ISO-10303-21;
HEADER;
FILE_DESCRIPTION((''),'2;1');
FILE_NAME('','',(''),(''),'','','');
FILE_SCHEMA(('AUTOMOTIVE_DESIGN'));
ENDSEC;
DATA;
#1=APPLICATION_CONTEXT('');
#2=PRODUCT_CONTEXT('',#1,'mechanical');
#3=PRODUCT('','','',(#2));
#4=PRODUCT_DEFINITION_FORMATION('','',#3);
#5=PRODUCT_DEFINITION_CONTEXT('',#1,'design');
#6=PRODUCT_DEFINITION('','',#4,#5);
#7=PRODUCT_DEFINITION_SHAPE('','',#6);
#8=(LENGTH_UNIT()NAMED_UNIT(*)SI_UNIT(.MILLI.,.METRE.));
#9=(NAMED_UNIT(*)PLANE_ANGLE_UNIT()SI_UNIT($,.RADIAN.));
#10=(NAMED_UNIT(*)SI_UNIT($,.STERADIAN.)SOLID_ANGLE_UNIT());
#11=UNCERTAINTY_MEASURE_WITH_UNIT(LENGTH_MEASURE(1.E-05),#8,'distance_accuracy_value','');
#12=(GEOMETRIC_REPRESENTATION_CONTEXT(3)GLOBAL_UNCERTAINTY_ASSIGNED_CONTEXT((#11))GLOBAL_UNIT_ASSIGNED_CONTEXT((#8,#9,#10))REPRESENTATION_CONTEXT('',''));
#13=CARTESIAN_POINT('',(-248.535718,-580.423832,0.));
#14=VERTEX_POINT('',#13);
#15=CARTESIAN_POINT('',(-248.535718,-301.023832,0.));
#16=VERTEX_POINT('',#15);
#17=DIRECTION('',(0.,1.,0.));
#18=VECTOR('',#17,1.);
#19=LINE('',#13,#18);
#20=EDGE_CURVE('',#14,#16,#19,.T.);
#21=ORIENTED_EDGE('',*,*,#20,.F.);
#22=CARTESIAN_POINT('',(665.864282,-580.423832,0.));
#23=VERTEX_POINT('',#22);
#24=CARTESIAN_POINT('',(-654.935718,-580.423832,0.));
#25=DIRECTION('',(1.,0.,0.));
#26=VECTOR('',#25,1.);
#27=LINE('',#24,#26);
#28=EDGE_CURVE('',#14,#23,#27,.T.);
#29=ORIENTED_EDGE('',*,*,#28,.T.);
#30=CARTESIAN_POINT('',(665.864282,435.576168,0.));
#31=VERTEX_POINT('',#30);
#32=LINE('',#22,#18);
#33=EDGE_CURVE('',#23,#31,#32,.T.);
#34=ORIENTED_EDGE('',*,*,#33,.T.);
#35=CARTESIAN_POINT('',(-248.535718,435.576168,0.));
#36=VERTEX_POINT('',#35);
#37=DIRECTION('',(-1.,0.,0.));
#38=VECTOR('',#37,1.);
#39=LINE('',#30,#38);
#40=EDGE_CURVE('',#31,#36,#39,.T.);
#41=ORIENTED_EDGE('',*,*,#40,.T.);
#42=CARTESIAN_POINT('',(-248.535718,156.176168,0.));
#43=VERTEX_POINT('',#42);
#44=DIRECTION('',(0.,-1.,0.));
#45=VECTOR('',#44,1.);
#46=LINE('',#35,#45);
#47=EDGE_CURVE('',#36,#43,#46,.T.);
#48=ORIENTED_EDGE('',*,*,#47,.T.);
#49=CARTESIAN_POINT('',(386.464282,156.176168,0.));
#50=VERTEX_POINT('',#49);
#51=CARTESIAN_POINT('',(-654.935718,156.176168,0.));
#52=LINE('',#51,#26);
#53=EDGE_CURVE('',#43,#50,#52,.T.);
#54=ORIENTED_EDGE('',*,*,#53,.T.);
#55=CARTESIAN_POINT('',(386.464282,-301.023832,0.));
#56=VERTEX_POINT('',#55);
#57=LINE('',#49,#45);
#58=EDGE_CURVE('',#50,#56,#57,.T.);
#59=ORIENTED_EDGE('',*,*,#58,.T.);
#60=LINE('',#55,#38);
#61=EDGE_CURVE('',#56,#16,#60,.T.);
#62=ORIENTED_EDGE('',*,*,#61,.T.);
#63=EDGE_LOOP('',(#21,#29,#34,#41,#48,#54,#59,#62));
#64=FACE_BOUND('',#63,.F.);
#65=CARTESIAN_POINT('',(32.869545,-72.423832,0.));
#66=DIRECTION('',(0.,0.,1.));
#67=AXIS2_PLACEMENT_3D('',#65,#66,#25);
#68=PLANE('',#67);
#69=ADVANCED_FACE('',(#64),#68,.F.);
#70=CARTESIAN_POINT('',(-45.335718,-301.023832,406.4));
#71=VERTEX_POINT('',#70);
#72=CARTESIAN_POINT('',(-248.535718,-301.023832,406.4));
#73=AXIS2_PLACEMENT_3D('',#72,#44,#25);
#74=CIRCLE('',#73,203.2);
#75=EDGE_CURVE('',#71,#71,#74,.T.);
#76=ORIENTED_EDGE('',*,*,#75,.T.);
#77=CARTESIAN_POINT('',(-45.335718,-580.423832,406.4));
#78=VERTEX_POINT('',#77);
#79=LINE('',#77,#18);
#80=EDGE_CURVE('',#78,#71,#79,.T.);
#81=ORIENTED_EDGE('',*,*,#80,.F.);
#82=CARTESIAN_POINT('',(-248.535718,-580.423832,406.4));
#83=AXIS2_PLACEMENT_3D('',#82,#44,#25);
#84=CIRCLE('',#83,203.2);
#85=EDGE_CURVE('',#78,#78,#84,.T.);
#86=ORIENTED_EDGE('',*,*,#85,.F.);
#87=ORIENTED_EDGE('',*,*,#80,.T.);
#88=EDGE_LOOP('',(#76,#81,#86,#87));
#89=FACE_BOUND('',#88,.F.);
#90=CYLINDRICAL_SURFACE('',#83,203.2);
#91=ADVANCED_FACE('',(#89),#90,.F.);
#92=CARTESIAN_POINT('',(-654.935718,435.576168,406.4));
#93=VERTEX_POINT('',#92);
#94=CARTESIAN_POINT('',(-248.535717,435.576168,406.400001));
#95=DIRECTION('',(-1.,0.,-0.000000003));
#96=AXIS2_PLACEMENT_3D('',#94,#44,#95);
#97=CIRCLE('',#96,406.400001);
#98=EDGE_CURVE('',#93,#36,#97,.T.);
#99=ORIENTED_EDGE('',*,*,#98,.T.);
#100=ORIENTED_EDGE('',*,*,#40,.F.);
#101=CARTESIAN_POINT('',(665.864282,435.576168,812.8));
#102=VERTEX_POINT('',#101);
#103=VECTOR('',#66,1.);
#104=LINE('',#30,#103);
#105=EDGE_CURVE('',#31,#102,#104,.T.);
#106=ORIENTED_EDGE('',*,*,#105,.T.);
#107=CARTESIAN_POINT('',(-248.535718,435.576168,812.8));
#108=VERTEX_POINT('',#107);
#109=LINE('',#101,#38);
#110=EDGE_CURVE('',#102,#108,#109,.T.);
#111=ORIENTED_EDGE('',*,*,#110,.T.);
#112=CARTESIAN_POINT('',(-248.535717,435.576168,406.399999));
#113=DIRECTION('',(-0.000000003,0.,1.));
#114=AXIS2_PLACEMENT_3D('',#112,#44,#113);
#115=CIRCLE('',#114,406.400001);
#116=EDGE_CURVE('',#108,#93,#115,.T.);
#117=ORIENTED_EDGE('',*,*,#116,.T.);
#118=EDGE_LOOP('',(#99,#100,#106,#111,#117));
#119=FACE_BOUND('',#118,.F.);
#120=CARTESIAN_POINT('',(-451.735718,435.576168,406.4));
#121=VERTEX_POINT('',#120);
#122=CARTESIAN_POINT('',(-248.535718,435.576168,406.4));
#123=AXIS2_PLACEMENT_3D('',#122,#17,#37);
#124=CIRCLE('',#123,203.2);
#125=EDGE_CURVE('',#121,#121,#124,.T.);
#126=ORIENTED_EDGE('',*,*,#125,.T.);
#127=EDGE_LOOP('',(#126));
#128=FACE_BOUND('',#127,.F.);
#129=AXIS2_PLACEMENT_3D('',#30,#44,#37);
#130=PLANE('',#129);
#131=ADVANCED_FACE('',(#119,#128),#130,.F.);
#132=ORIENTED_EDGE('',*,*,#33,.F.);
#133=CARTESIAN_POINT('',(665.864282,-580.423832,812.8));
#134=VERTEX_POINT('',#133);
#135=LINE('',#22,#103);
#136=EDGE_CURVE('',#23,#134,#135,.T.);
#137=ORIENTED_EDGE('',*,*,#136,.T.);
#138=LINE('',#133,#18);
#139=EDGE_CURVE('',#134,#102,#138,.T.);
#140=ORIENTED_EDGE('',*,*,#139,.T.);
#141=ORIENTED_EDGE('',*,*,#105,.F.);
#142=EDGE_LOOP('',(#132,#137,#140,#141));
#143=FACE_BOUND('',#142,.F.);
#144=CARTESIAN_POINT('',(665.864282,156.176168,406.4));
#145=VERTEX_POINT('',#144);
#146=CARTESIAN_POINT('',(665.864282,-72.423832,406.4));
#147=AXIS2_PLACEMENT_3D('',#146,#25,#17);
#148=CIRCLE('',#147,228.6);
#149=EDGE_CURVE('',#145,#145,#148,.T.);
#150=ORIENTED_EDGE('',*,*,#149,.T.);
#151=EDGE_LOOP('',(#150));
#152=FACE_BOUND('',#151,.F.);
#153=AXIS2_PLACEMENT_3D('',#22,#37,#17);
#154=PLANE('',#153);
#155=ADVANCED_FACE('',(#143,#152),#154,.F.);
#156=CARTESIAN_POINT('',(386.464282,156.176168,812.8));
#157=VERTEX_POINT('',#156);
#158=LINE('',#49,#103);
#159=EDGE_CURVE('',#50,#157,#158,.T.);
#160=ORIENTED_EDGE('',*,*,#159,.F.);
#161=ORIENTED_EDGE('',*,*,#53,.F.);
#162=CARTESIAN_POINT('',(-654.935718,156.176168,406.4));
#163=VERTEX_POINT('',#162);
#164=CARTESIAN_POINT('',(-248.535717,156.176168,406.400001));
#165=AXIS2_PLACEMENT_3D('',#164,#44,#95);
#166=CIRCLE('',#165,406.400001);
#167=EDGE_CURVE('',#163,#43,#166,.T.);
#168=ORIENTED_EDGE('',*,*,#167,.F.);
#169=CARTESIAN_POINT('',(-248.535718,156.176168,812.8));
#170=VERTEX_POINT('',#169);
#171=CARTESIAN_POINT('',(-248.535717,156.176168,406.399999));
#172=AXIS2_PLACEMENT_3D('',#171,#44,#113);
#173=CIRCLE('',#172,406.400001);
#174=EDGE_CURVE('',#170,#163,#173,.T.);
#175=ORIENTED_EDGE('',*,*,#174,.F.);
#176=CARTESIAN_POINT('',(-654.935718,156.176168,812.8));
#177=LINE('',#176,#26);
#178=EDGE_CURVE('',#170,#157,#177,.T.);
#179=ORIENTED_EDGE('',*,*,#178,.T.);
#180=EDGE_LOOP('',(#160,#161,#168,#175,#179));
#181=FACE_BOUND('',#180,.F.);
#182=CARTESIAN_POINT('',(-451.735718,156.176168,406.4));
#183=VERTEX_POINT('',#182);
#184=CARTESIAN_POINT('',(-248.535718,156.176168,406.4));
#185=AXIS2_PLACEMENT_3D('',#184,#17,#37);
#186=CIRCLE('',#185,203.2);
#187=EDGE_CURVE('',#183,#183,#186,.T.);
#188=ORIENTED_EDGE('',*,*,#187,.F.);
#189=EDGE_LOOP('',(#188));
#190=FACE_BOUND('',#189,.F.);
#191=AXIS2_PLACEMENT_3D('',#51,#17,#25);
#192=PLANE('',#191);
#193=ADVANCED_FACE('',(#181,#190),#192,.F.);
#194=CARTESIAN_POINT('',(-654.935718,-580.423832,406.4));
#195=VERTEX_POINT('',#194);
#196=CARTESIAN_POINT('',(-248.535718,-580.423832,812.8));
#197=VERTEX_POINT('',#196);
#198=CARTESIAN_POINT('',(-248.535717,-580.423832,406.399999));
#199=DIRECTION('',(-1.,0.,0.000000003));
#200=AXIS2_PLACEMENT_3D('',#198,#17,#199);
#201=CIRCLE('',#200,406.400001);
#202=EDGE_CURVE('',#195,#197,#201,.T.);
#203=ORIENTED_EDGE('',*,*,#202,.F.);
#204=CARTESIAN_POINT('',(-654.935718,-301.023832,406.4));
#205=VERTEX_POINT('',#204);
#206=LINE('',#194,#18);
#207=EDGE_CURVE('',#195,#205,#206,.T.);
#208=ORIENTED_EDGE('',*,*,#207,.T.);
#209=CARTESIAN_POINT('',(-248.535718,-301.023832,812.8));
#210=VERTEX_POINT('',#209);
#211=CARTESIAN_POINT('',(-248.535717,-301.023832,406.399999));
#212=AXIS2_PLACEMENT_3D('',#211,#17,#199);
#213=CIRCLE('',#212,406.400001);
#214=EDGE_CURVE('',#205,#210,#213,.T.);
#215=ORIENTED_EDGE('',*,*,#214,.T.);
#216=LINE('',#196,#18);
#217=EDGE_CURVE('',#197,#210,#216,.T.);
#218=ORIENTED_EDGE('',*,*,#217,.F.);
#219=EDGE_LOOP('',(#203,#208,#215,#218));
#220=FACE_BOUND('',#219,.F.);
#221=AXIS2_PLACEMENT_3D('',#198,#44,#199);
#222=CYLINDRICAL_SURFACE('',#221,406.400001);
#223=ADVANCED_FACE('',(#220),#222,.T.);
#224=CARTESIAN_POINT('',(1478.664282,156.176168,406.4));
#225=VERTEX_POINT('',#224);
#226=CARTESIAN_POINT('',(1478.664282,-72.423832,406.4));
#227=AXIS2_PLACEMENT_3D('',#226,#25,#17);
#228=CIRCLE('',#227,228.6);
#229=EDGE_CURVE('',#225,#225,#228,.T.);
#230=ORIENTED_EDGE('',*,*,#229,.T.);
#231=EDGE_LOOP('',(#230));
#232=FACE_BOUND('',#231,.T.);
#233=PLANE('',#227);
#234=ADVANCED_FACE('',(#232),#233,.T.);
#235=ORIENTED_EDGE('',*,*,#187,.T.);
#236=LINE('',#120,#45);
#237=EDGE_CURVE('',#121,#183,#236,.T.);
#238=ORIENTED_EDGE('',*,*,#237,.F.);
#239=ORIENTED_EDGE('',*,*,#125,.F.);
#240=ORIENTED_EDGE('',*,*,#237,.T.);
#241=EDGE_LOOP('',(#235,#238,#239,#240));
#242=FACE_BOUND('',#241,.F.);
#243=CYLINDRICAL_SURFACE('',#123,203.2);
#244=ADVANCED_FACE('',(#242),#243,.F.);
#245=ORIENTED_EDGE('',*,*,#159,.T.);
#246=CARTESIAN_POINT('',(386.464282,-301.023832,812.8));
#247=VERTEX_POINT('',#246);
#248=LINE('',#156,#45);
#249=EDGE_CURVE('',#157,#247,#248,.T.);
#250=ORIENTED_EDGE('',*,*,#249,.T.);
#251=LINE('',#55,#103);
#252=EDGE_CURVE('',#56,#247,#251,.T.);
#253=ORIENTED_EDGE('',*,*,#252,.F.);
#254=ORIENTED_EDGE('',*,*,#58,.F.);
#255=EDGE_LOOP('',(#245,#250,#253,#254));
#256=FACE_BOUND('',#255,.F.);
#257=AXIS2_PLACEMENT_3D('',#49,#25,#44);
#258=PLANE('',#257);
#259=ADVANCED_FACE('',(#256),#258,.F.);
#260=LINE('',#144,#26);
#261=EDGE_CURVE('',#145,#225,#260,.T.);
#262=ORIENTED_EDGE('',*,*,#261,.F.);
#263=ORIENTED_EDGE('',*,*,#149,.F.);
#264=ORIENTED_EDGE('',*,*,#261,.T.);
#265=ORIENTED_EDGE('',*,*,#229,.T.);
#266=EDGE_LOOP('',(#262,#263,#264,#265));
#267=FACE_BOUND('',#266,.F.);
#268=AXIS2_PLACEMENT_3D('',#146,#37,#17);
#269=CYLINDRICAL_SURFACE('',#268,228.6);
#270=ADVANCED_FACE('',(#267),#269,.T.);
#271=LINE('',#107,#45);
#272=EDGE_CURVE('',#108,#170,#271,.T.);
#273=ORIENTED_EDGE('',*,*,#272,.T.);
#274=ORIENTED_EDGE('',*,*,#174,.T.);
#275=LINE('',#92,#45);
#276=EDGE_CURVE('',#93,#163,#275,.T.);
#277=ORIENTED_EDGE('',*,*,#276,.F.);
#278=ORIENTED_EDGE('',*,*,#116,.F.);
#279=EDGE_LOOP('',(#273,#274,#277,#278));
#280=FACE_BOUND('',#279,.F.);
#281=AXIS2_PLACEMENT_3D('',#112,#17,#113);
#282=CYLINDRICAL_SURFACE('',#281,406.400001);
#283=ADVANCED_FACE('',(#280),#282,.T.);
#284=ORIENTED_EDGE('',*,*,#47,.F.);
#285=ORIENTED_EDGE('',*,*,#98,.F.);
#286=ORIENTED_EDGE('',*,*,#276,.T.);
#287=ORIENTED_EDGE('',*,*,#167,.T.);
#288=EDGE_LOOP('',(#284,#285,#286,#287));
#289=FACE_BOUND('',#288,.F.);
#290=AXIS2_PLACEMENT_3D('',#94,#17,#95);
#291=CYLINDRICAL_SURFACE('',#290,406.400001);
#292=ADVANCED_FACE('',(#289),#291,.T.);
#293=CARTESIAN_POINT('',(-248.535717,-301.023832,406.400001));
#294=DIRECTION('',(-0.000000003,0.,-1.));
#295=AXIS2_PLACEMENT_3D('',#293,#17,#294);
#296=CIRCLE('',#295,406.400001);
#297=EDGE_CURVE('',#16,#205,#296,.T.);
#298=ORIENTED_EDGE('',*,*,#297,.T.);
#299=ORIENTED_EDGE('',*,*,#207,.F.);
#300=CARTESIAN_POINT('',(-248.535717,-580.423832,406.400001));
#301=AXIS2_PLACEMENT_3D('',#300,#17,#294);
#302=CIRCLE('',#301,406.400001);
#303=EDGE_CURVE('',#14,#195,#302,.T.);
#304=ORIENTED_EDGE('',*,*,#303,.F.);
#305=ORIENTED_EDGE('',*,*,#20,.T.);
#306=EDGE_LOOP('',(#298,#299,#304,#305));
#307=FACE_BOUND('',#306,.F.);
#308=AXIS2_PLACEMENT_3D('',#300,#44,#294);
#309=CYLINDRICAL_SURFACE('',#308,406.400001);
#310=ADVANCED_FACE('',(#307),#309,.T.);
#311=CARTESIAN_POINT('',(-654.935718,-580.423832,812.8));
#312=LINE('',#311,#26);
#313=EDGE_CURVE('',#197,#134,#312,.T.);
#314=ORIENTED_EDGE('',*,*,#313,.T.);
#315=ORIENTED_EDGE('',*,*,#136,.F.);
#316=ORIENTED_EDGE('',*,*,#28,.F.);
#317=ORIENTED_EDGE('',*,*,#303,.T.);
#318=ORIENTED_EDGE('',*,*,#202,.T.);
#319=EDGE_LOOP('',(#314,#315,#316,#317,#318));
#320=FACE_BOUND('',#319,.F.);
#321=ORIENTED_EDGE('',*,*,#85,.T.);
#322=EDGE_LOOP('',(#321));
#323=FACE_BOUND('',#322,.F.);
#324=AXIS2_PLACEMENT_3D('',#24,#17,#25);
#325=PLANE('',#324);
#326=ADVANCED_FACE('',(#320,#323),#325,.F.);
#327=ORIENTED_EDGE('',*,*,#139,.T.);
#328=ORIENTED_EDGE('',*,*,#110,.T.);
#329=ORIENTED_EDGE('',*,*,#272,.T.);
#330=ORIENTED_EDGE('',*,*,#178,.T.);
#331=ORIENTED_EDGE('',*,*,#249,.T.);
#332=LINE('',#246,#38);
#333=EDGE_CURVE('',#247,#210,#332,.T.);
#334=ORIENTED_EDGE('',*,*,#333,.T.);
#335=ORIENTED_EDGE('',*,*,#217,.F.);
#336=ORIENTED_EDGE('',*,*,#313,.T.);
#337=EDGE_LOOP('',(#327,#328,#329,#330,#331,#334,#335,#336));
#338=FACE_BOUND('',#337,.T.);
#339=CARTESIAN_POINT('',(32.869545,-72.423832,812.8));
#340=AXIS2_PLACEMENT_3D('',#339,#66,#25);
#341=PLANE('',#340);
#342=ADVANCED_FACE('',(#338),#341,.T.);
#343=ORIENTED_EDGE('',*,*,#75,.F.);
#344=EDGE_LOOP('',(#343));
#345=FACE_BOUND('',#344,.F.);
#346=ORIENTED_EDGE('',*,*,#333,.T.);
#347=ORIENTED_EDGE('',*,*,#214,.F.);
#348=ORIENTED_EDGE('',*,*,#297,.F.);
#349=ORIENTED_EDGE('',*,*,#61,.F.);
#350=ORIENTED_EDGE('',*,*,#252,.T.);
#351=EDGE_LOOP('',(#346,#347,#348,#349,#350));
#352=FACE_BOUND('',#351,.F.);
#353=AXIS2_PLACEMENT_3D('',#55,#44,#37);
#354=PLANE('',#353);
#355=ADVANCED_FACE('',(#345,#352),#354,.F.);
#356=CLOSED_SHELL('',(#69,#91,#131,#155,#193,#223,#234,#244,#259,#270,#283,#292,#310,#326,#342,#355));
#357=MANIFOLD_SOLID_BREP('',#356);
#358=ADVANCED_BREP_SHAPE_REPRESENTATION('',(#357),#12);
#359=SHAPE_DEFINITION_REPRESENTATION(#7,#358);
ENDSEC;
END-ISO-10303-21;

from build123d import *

# Parameters (mm, degrees)
F1_DEPTH = 812.8
F2_R     = 228.6
F3_DEPTH = 812.8
F4_R     = 203.2
F5_DEPTH = 279.4
F6_R     = 203.2
F7_DEPTH = 279.4


with BuildPart() as f1:
    # F0 (on Top) → F1 (new body)
    with BuildSketch(Plane.XY):
        Polygon((665.864282, 435.576168), (-654.935718, 435.576168), (-654.935718, 156.176168), (386.464282, 156.176168), (386.464282, -301.023832), (-654.935718, -301.023832), (-654.935718, -580.423832), (665.864282, -580.423832), (665.864282, -301.023832), (665.864282, 156.176168), align=None)
    extrude(amount=F1_DEPTH)

    # F2 (on face) → F3 (join)
    with BuildSketch(Plane.YZ.offset(665.864282)):
        with Locations((-72.423832, 406.4)):
            Circle(F2_R)
    extrude(amount=F3_DEPTH)

    # F4 (on face) → F5 (cut)
    with BuildSketch(Plane.XZ.offset(580.423832)):
        with BuildLine():
            ThreePointArc((-654.935718, 406.4), (-535.903913, 693.768196), (-248.535718, 812.8))
            Line((-248.535718, 812.8), (-654.935718, 812.8))
            Line((-654.935718, 812.8), (-654.935718, 406.4))
        make_face()
        with BuildLine():
            ThreePointArc((-248.535718, 0), (-535.903913, 119.031804), (-654.935718, 406.4))
            Line((-654.935718, 406.4), (-654.935718, 0))
            Line((-654.935718, 0), (-248.535718, 0))
        make_face()
        with Locations((-248.535718, 406.4)):
            Circle(F4_R)
    extrude(amount=-F5_DEPTH, mode=Mode.SUBTRACT)

    # F6 (on face) → F7 (cut)
    with BuildSketch(Plane(origin=(0, 435.576168, 0), x_dir=(-1, 0, 0), z_dir=(0, 1, 0))):
        with BuildLine():
            Line((654.935718, 812.8), (248.535718, 812.8))
            ThreePointArc((248.535718, 812.8), (535.903913, 693.768196), (654.935718, 406.4))
            Line((654.935718, 406.4), (654.935718, 812.8))
        make_face()
        with BuildLine():
            Line((654.935718, 0), (654.935718, 406.4))
            ThreePointArc((654.935718, 406.4), (535.903913, 119.031804), (248.535718, 0))
            Line((248.535718, 0), (654.935718, 0))
        make_face()
        with Locations((248.535718, 406.4)):
            Circle(F6_R)
    extrude(amount=-F7_DEPTH, mode=Mode.SUBTRACT)


solid = f1.part
